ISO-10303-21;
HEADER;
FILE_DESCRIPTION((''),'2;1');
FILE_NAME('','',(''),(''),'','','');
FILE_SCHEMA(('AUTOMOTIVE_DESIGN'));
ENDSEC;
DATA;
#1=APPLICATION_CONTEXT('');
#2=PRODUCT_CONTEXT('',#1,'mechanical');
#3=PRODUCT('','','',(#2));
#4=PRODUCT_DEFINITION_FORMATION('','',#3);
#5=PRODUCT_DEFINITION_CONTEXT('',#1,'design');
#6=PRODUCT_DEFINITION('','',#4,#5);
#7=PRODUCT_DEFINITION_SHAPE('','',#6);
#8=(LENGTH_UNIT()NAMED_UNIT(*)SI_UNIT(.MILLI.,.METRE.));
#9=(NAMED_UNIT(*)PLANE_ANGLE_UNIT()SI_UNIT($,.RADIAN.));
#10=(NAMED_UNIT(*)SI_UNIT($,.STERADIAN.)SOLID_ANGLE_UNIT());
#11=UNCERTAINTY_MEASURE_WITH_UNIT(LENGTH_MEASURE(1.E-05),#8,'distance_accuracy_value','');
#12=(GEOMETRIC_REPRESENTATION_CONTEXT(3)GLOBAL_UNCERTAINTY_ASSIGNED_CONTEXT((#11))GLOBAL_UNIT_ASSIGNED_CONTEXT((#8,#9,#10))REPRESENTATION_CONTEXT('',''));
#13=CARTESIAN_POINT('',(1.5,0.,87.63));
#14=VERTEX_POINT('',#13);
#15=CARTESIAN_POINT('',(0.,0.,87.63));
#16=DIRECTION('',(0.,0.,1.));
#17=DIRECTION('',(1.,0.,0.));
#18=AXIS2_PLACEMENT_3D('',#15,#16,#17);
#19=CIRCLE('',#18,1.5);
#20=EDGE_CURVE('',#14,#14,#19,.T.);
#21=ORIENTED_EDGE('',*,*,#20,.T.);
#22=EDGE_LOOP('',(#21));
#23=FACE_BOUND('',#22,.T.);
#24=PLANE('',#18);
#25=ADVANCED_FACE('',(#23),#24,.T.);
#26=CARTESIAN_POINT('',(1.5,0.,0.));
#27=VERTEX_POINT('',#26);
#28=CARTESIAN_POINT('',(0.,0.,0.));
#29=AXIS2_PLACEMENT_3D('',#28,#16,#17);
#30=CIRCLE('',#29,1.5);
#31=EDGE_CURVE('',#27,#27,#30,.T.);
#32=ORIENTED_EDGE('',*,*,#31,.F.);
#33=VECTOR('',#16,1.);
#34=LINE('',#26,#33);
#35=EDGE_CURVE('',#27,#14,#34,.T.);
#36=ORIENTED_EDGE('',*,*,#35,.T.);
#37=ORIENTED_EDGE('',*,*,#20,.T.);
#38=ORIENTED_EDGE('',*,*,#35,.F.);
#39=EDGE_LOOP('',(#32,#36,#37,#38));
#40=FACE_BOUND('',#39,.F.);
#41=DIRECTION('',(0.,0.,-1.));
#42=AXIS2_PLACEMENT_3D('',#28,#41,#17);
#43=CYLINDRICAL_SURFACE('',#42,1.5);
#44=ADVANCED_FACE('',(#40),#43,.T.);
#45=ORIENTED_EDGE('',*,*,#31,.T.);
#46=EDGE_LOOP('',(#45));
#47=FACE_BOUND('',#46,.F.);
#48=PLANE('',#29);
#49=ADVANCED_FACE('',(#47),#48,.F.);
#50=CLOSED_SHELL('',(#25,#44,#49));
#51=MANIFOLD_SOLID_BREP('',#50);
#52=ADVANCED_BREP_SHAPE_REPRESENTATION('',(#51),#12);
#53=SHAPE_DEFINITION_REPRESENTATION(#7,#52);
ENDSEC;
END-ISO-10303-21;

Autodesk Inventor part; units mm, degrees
ref_plane "YZ Plane" through (0, 0, 0) normal (1, 0, 0) x (0, 1, 0)
ref_plane "XZ Plane" through (0, 0, 0) normal (0, 1, 0) x (-1, 0, 0)
ref_plane "XY Plane" through (0, 0, 0) normal (0, 0, 1) x (1, 0, 0)
sketch "Sketch1" plane through (0, 0, 0) normal (0, 0, 1) x (1, 0, 0)
  circle A0 centre (0, 0) radius 1.5
  dimension "d0" = 3
extrude "Extrusion1" add sketch "Sketch1" along normal blind 87.63
properties part number "Axle"
